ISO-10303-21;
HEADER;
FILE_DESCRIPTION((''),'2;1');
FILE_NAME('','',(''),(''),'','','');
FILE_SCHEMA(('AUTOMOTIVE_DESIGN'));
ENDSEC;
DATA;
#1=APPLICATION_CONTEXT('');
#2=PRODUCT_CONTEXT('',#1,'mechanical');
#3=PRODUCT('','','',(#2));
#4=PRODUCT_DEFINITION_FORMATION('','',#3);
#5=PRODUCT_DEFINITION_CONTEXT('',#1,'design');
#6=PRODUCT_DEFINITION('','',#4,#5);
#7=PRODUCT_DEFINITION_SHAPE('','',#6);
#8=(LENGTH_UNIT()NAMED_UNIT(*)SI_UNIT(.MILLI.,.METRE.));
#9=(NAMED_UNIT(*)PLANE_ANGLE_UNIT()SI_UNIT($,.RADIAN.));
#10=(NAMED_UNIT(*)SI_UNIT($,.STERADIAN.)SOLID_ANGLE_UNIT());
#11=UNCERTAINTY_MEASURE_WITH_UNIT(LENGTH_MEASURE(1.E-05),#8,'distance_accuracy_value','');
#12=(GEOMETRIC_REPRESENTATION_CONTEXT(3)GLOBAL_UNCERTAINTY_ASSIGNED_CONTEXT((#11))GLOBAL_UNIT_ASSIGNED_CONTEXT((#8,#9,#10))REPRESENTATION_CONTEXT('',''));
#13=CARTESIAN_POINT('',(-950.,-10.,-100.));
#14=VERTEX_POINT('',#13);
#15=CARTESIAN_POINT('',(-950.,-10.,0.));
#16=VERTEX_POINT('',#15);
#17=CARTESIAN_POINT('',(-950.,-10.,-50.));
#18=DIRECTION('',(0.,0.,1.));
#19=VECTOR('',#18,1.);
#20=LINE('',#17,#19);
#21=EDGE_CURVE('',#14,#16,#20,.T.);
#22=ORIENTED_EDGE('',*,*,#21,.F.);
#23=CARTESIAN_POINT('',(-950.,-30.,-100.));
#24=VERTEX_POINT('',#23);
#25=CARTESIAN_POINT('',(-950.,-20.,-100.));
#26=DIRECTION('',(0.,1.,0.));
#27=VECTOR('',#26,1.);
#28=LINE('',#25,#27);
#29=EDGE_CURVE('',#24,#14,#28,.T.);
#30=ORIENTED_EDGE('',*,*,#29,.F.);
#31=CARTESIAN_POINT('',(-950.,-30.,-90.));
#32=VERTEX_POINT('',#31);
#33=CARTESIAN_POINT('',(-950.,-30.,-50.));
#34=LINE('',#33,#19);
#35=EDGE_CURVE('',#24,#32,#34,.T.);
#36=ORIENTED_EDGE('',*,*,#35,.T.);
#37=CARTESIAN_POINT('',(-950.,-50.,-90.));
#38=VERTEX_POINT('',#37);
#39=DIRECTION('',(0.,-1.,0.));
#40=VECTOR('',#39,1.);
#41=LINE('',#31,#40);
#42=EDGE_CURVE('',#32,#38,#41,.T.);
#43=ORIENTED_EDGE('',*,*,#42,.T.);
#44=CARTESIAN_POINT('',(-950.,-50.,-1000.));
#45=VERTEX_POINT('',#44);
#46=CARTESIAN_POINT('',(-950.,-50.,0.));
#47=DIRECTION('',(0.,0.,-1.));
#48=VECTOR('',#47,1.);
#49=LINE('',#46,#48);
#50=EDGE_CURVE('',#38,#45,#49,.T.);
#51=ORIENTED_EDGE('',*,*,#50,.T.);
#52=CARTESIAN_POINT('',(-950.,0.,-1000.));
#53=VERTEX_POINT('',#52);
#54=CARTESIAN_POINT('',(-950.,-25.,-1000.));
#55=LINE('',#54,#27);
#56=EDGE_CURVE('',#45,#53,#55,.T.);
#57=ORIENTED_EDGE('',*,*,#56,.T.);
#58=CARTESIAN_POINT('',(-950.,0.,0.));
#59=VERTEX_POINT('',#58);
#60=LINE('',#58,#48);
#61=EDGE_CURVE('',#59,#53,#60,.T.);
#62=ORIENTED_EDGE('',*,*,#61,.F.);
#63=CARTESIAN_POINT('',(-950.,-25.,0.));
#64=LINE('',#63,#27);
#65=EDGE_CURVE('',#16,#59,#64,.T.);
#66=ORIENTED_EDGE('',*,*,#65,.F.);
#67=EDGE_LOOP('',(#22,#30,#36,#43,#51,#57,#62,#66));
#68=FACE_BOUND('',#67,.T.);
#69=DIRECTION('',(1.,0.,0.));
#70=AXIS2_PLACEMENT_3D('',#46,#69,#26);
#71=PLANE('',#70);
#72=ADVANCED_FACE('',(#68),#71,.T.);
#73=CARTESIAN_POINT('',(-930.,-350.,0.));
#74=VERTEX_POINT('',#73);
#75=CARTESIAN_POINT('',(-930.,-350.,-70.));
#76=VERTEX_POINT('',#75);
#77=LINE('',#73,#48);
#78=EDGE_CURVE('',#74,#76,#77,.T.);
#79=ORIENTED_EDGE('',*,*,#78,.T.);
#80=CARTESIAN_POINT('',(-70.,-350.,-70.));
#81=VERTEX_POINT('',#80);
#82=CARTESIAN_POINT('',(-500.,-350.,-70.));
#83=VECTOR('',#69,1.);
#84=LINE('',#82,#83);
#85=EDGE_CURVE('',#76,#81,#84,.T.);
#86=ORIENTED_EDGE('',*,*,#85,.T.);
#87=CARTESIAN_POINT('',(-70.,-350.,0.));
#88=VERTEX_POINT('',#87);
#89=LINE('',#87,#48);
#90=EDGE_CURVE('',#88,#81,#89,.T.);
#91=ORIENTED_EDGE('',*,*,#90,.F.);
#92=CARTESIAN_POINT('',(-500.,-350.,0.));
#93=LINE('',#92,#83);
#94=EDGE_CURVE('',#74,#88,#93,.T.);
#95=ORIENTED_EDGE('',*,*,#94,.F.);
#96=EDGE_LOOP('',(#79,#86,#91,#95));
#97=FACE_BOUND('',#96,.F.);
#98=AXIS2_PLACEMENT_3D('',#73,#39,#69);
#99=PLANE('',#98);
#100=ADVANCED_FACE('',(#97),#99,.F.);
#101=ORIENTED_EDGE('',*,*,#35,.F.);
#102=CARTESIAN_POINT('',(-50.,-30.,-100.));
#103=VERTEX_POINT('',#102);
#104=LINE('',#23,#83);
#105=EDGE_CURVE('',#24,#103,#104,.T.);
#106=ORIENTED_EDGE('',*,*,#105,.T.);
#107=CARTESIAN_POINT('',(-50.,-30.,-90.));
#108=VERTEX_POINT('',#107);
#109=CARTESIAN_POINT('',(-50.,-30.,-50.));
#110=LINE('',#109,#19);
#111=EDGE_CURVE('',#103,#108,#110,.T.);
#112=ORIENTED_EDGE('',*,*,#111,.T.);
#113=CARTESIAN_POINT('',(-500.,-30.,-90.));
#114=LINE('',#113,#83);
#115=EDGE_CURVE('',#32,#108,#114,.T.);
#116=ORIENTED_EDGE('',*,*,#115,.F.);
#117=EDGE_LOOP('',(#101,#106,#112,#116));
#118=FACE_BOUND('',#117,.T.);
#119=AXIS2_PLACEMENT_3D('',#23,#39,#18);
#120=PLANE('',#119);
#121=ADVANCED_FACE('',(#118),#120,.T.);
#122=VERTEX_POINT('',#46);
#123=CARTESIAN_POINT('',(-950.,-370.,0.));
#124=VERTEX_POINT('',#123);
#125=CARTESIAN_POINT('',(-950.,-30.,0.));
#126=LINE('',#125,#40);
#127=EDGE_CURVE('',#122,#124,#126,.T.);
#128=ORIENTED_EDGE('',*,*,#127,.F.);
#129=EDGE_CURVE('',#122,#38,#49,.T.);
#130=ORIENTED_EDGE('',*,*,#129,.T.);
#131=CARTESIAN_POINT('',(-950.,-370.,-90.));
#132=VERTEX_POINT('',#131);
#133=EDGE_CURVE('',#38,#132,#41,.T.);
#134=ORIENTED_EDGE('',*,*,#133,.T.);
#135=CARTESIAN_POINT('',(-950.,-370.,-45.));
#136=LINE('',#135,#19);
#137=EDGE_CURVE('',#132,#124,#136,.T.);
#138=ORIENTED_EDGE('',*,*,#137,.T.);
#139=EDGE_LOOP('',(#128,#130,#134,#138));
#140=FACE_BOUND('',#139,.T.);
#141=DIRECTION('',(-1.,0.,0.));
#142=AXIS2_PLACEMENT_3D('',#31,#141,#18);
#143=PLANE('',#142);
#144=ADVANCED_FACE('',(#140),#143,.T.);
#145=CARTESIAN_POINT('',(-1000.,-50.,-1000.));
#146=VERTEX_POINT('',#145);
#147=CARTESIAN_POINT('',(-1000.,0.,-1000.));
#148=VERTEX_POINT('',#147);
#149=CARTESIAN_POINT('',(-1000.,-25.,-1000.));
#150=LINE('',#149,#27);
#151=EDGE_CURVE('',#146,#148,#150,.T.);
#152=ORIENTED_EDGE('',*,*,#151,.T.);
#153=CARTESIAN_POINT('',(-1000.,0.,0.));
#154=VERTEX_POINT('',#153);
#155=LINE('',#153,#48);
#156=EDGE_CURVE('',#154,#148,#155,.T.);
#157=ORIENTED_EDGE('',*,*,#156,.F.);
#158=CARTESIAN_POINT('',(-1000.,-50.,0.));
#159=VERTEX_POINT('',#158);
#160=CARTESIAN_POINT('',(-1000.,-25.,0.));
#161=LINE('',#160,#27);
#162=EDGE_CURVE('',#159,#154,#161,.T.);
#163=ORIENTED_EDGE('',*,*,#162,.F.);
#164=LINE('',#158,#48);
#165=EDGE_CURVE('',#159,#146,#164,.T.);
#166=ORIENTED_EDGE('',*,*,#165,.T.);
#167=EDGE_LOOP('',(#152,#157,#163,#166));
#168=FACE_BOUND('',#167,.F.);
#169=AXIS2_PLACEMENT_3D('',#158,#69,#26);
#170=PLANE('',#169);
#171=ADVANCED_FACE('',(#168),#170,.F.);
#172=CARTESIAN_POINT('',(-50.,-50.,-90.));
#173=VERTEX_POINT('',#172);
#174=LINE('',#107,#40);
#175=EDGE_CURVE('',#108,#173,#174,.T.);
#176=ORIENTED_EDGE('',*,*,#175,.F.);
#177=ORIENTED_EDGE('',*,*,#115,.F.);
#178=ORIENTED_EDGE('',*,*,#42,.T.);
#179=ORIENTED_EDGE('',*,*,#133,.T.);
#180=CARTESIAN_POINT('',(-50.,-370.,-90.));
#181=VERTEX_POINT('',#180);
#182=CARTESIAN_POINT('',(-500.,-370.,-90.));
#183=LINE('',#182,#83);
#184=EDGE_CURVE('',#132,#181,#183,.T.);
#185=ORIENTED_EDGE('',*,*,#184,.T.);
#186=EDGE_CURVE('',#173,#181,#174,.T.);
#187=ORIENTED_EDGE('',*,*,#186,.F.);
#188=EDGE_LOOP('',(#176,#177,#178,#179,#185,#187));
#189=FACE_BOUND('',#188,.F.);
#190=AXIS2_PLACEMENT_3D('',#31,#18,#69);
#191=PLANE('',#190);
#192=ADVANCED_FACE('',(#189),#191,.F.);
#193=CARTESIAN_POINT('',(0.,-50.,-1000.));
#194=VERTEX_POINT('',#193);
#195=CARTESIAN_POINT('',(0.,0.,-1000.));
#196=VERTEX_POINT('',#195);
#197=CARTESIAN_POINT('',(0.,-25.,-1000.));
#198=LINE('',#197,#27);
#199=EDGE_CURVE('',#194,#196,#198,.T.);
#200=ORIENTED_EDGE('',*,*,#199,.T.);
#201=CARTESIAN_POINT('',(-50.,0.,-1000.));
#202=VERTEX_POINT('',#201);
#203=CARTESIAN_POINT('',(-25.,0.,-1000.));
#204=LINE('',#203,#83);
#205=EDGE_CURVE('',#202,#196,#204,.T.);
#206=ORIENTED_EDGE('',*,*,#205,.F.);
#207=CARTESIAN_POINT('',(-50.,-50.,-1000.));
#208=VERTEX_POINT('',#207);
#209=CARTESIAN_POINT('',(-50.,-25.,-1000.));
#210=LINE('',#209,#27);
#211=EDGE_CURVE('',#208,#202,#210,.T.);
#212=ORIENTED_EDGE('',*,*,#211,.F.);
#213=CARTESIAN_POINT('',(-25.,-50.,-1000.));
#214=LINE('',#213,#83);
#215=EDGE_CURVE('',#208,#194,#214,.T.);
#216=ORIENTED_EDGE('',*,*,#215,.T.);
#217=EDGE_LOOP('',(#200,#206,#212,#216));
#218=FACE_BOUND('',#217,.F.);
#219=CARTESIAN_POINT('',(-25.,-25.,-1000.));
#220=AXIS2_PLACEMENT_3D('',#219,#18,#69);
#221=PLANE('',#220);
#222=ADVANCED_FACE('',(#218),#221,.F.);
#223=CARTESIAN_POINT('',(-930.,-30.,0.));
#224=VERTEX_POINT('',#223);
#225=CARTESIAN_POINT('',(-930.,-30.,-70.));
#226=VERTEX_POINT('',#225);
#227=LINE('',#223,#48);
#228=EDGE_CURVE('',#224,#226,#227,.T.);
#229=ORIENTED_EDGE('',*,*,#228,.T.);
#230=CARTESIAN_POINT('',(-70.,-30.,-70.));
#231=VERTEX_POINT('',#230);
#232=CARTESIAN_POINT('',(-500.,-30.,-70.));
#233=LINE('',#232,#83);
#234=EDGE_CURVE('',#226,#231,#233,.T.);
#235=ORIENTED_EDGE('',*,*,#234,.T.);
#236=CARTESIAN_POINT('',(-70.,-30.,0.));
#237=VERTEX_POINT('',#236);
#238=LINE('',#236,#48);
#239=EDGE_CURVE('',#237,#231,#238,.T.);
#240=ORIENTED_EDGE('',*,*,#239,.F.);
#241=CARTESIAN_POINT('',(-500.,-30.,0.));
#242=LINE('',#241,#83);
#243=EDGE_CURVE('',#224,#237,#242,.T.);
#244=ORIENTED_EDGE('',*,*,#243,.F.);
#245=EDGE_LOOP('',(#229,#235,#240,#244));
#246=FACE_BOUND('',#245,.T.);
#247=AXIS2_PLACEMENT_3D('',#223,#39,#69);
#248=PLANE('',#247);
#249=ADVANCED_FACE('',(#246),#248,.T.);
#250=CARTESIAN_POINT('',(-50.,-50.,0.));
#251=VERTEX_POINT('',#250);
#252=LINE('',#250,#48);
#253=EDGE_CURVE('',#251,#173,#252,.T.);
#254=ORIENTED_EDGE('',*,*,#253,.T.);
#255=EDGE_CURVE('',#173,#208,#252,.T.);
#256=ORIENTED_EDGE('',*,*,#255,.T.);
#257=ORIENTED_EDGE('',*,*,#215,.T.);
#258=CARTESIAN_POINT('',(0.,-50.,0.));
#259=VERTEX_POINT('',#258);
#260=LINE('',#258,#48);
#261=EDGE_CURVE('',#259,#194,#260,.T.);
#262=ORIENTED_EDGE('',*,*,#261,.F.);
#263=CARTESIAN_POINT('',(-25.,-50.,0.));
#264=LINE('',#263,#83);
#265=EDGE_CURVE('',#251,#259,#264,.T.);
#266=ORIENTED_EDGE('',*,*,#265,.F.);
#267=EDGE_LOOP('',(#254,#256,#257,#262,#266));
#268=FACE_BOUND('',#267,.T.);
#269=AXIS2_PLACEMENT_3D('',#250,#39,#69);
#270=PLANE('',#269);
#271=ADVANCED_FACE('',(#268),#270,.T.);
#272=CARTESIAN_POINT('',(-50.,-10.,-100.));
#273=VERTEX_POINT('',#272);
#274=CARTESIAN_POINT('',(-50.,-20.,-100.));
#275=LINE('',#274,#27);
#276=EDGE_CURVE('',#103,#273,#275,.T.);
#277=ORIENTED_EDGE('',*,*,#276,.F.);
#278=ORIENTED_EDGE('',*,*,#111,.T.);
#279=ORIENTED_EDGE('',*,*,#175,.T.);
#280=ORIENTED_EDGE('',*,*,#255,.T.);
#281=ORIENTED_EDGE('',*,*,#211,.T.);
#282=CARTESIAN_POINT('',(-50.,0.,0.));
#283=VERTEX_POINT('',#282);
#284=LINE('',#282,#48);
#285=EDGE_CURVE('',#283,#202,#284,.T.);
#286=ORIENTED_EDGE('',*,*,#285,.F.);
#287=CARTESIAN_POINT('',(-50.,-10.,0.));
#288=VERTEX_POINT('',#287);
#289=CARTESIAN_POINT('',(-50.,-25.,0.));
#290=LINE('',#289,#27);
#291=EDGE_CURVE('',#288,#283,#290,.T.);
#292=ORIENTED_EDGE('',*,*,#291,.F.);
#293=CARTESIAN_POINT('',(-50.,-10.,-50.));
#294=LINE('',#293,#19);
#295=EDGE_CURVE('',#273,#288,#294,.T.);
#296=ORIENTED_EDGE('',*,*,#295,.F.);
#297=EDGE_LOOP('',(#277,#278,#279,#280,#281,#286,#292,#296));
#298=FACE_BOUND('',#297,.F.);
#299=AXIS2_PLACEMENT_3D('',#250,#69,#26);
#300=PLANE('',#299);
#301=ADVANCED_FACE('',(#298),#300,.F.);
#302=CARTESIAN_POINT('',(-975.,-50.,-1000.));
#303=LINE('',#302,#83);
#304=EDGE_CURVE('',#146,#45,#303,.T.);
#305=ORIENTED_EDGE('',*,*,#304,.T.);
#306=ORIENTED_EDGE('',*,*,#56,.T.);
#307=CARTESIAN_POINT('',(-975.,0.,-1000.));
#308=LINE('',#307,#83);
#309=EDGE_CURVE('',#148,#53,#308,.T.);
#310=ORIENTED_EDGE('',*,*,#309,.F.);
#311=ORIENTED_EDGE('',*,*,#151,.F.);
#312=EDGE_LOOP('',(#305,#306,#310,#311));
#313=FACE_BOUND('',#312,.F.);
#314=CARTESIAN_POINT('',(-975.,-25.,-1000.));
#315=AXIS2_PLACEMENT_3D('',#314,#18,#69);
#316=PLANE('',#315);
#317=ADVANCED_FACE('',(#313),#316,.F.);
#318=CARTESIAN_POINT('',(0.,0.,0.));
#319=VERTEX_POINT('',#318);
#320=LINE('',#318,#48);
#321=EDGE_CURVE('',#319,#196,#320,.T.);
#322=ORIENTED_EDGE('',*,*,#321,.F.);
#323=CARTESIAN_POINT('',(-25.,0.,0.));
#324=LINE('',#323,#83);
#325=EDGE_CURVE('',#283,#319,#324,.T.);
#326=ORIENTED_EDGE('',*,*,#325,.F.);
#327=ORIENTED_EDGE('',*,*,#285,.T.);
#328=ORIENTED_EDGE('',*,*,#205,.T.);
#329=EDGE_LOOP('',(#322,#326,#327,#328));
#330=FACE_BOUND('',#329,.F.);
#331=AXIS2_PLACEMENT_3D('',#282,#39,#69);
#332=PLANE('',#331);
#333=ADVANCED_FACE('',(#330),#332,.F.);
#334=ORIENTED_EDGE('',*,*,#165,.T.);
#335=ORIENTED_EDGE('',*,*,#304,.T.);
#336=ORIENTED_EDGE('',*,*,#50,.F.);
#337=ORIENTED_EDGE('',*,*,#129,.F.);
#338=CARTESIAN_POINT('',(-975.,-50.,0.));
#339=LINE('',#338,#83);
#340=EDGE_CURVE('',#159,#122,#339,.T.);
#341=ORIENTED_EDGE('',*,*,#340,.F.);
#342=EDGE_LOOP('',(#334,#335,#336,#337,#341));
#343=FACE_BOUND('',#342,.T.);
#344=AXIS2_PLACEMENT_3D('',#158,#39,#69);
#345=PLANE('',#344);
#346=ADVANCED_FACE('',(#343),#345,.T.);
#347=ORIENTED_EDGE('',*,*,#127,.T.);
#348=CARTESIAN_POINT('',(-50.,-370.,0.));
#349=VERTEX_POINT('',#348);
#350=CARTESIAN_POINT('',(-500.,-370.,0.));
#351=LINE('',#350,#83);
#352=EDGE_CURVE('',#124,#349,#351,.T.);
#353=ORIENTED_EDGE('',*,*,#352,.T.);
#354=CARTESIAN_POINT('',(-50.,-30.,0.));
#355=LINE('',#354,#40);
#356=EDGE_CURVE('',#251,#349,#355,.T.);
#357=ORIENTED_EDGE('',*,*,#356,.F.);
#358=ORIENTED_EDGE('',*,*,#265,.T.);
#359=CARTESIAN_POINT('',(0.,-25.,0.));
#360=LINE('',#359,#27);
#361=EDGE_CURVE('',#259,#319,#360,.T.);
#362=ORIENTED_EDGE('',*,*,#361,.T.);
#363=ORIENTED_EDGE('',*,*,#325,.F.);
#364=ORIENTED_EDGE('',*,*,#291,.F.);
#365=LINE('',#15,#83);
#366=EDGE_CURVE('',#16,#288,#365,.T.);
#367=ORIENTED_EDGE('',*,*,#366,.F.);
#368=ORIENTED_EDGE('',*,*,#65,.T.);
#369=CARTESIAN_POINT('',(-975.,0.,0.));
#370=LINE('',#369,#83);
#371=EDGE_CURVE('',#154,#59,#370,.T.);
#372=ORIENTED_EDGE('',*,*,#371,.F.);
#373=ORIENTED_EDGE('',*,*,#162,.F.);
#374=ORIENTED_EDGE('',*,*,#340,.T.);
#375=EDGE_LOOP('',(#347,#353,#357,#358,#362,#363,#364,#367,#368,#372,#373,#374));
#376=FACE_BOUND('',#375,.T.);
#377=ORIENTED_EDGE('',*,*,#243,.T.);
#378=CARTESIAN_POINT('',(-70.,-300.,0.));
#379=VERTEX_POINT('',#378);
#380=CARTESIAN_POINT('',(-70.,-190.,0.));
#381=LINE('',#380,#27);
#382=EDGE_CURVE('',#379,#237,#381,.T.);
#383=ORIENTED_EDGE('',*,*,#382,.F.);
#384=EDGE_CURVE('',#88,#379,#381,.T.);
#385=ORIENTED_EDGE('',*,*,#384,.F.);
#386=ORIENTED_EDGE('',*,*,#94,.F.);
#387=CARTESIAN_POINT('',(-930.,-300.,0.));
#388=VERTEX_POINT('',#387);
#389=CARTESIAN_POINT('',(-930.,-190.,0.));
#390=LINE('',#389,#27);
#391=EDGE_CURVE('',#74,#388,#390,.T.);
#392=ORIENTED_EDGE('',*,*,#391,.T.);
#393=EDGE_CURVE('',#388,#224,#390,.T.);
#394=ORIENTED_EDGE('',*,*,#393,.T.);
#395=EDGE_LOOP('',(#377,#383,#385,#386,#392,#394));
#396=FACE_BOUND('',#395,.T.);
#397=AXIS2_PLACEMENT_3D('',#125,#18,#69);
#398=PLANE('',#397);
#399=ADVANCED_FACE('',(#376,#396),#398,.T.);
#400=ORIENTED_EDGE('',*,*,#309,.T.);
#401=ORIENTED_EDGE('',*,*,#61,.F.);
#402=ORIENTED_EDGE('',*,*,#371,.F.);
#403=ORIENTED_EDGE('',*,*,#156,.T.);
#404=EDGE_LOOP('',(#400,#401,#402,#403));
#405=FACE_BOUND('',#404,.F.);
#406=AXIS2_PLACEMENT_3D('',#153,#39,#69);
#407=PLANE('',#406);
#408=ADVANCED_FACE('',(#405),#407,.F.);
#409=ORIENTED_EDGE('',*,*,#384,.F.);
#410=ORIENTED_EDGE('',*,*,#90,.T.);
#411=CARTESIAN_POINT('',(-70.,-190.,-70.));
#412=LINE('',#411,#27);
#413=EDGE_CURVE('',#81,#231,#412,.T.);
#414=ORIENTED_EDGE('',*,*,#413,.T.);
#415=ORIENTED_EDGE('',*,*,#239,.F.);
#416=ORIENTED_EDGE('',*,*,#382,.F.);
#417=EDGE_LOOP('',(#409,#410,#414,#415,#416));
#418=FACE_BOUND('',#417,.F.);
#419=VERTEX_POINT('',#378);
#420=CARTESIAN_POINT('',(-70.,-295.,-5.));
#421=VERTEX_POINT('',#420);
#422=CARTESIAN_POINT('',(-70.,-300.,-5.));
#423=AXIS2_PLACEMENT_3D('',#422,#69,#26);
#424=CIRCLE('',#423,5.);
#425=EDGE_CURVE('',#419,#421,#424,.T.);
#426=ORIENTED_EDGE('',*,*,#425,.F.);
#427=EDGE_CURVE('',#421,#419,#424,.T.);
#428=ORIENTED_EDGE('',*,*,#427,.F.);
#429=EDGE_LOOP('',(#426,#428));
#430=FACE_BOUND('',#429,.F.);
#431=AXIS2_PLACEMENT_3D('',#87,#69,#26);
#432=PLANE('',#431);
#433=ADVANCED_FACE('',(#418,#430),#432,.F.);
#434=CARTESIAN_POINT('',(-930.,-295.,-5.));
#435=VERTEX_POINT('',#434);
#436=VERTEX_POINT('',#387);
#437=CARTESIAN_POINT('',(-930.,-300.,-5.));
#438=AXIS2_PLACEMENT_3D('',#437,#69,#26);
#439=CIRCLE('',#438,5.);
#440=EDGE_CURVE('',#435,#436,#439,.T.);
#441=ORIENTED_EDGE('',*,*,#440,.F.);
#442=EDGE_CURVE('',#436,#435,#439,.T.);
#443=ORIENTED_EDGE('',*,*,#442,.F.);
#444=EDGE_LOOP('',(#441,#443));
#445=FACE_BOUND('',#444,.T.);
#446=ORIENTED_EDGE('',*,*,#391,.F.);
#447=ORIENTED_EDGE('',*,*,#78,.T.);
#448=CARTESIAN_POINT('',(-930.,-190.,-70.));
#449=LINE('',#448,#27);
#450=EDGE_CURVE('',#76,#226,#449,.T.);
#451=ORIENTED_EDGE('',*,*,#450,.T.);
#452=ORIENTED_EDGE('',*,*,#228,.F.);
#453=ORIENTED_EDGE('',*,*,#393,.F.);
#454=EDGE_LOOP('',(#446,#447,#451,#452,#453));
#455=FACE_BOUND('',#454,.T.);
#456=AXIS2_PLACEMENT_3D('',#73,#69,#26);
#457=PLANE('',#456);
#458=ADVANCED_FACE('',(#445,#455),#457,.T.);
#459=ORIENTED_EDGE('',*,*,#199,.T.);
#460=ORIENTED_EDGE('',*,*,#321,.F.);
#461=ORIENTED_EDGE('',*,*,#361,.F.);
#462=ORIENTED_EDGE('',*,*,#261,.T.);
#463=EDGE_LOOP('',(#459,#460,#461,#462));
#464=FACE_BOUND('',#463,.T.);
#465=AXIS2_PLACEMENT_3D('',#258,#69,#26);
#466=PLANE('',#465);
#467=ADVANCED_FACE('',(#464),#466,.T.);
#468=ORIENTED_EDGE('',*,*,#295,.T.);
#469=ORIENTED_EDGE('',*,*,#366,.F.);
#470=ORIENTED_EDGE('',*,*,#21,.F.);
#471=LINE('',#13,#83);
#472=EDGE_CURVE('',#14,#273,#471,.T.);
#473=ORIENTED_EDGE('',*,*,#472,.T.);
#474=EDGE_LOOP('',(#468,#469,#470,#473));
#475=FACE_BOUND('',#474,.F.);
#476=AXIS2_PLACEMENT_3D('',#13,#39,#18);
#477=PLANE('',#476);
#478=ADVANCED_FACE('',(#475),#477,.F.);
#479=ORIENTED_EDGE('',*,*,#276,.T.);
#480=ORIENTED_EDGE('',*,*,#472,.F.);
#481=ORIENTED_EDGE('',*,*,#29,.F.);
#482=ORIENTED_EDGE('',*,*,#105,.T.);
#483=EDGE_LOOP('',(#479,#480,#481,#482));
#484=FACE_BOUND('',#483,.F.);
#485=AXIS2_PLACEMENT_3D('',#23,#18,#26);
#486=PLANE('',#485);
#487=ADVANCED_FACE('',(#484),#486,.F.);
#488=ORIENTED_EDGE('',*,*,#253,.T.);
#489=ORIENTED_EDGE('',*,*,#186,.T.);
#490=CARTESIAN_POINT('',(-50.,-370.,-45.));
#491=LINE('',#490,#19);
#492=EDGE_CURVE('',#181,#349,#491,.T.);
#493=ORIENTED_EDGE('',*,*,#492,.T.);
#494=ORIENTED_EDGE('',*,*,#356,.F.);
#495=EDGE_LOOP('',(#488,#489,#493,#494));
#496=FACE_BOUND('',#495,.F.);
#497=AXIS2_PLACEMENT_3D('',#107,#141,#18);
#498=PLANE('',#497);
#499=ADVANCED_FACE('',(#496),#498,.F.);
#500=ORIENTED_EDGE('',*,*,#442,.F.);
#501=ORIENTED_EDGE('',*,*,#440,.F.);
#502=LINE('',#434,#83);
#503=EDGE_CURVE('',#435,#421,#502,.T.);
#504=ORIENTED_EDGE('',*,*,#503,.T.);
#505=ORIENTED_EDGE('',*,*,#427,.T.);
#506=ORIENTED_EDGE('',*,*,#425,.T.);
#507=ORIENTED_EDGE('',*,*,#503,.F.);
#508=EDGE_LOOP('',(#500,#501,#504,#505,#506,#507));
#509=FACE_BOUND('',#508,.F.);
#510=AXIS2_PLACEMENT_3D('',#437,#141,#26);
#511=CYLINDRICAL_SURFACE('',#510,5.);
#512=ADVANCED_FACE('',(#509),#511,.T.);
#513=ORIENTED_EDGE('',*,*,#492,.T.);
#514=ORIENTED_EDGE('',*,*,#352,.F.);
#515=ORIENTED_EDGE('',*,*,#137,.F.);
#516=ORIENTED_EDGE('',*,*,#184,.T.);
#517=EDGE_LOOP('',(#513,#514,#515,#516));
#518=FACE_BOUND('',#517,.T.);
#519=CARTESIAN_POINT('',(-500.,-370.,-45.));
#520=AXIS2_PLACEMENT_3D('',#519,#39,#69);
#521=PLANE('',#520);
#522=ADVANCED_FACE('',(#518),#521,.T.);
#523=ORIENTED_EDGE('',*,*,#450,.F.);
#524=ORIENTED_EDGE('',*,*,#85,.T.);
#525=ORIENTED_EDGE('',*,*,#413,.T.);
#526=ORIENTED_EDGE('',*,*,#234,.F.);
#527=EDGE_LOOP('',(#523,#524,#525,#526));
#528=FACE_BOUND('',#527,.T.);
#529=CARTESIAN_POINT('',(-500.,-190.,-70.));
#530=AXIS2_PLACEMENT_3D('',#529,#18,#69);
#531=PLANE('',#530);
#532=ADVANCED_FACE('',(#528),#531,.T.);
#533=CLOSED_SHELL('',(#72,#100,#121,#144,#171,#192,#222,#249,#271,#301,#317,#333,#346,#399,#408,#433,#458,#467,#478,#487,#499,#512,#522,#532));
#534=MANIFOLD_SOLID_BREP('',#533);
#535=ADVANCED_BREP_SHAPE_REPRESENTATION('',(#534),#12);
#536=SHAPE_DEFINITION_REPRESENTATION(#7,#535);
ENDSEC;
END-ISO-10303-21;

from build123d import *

# Parameters (mm, degrees)
F1_W      = 50
F1_H      = 50
F2_DEPTH  = 1000
F3_W      = 20
F3_H      = 100
F4_DEPTH  = 900
F5_W      = 900
F5_H      = 90
F6_DEPTH  = 340
F7_W      = 860
F7_H      = 320
F8_DEPTH  = 70
F9_R      = 5
F10_DEPTH = 860


with BuildPart() as f2:
    # F1 (on Top) → F2 (new body)
    with BuildSketch(Plane.XY):
        with Locations((-25, -25)):
            Rectangle(F1_W, F1_H)
    extrude(amount=-F2_DEPTH)



with BuildPart() as f2b:
    # F1 (on Top) → F2, piece 2 (new body)
    with BuildSketch(Plane.XY):
        with Locations((-975, -25)):
            Rectangle(F1_W, F1_H)
    extrude(amount=-F2_DEPTH)


with BuildPart() as f2_1:
    add(f2.part)

    add(f2b.part)  # F4 merges F2b
    # F3 (on face) → F4 (join, through all)
    with BuildSketch(Plane.YZ.offset(-950)):
        with Locations((-20, -50)):
            Rectangle(F3_W, F3_H)
    extrude(amount=F4_DEPTH)

    # F5 (on face) → F6 (join)
    with BuildSketch(Plane.XZ.offset(30)):
        with Locations((-500, -45)):
            Rectangle(F5_W, F5_H)
    extrude(amount=F6_DEPTH)

    # F7 (on face) → F8 (cut)
    with BuildSketch(Plane.XY):
        with Locations((-500, -190)):
            Rectangle(F7_W, F7_H)
    extrude(amount=-F8_DEPTH, mode=Mode.SUBTRACT)

    # F9 (on face) → F10 (join, through all)
    with BuildSketch(Plane.YZ.offset(-930)):
        with Locations((-300, -5)):
            Circle(F9_R)
    extrude(amount=F10_DEPTH)


solid = f2_1.part
